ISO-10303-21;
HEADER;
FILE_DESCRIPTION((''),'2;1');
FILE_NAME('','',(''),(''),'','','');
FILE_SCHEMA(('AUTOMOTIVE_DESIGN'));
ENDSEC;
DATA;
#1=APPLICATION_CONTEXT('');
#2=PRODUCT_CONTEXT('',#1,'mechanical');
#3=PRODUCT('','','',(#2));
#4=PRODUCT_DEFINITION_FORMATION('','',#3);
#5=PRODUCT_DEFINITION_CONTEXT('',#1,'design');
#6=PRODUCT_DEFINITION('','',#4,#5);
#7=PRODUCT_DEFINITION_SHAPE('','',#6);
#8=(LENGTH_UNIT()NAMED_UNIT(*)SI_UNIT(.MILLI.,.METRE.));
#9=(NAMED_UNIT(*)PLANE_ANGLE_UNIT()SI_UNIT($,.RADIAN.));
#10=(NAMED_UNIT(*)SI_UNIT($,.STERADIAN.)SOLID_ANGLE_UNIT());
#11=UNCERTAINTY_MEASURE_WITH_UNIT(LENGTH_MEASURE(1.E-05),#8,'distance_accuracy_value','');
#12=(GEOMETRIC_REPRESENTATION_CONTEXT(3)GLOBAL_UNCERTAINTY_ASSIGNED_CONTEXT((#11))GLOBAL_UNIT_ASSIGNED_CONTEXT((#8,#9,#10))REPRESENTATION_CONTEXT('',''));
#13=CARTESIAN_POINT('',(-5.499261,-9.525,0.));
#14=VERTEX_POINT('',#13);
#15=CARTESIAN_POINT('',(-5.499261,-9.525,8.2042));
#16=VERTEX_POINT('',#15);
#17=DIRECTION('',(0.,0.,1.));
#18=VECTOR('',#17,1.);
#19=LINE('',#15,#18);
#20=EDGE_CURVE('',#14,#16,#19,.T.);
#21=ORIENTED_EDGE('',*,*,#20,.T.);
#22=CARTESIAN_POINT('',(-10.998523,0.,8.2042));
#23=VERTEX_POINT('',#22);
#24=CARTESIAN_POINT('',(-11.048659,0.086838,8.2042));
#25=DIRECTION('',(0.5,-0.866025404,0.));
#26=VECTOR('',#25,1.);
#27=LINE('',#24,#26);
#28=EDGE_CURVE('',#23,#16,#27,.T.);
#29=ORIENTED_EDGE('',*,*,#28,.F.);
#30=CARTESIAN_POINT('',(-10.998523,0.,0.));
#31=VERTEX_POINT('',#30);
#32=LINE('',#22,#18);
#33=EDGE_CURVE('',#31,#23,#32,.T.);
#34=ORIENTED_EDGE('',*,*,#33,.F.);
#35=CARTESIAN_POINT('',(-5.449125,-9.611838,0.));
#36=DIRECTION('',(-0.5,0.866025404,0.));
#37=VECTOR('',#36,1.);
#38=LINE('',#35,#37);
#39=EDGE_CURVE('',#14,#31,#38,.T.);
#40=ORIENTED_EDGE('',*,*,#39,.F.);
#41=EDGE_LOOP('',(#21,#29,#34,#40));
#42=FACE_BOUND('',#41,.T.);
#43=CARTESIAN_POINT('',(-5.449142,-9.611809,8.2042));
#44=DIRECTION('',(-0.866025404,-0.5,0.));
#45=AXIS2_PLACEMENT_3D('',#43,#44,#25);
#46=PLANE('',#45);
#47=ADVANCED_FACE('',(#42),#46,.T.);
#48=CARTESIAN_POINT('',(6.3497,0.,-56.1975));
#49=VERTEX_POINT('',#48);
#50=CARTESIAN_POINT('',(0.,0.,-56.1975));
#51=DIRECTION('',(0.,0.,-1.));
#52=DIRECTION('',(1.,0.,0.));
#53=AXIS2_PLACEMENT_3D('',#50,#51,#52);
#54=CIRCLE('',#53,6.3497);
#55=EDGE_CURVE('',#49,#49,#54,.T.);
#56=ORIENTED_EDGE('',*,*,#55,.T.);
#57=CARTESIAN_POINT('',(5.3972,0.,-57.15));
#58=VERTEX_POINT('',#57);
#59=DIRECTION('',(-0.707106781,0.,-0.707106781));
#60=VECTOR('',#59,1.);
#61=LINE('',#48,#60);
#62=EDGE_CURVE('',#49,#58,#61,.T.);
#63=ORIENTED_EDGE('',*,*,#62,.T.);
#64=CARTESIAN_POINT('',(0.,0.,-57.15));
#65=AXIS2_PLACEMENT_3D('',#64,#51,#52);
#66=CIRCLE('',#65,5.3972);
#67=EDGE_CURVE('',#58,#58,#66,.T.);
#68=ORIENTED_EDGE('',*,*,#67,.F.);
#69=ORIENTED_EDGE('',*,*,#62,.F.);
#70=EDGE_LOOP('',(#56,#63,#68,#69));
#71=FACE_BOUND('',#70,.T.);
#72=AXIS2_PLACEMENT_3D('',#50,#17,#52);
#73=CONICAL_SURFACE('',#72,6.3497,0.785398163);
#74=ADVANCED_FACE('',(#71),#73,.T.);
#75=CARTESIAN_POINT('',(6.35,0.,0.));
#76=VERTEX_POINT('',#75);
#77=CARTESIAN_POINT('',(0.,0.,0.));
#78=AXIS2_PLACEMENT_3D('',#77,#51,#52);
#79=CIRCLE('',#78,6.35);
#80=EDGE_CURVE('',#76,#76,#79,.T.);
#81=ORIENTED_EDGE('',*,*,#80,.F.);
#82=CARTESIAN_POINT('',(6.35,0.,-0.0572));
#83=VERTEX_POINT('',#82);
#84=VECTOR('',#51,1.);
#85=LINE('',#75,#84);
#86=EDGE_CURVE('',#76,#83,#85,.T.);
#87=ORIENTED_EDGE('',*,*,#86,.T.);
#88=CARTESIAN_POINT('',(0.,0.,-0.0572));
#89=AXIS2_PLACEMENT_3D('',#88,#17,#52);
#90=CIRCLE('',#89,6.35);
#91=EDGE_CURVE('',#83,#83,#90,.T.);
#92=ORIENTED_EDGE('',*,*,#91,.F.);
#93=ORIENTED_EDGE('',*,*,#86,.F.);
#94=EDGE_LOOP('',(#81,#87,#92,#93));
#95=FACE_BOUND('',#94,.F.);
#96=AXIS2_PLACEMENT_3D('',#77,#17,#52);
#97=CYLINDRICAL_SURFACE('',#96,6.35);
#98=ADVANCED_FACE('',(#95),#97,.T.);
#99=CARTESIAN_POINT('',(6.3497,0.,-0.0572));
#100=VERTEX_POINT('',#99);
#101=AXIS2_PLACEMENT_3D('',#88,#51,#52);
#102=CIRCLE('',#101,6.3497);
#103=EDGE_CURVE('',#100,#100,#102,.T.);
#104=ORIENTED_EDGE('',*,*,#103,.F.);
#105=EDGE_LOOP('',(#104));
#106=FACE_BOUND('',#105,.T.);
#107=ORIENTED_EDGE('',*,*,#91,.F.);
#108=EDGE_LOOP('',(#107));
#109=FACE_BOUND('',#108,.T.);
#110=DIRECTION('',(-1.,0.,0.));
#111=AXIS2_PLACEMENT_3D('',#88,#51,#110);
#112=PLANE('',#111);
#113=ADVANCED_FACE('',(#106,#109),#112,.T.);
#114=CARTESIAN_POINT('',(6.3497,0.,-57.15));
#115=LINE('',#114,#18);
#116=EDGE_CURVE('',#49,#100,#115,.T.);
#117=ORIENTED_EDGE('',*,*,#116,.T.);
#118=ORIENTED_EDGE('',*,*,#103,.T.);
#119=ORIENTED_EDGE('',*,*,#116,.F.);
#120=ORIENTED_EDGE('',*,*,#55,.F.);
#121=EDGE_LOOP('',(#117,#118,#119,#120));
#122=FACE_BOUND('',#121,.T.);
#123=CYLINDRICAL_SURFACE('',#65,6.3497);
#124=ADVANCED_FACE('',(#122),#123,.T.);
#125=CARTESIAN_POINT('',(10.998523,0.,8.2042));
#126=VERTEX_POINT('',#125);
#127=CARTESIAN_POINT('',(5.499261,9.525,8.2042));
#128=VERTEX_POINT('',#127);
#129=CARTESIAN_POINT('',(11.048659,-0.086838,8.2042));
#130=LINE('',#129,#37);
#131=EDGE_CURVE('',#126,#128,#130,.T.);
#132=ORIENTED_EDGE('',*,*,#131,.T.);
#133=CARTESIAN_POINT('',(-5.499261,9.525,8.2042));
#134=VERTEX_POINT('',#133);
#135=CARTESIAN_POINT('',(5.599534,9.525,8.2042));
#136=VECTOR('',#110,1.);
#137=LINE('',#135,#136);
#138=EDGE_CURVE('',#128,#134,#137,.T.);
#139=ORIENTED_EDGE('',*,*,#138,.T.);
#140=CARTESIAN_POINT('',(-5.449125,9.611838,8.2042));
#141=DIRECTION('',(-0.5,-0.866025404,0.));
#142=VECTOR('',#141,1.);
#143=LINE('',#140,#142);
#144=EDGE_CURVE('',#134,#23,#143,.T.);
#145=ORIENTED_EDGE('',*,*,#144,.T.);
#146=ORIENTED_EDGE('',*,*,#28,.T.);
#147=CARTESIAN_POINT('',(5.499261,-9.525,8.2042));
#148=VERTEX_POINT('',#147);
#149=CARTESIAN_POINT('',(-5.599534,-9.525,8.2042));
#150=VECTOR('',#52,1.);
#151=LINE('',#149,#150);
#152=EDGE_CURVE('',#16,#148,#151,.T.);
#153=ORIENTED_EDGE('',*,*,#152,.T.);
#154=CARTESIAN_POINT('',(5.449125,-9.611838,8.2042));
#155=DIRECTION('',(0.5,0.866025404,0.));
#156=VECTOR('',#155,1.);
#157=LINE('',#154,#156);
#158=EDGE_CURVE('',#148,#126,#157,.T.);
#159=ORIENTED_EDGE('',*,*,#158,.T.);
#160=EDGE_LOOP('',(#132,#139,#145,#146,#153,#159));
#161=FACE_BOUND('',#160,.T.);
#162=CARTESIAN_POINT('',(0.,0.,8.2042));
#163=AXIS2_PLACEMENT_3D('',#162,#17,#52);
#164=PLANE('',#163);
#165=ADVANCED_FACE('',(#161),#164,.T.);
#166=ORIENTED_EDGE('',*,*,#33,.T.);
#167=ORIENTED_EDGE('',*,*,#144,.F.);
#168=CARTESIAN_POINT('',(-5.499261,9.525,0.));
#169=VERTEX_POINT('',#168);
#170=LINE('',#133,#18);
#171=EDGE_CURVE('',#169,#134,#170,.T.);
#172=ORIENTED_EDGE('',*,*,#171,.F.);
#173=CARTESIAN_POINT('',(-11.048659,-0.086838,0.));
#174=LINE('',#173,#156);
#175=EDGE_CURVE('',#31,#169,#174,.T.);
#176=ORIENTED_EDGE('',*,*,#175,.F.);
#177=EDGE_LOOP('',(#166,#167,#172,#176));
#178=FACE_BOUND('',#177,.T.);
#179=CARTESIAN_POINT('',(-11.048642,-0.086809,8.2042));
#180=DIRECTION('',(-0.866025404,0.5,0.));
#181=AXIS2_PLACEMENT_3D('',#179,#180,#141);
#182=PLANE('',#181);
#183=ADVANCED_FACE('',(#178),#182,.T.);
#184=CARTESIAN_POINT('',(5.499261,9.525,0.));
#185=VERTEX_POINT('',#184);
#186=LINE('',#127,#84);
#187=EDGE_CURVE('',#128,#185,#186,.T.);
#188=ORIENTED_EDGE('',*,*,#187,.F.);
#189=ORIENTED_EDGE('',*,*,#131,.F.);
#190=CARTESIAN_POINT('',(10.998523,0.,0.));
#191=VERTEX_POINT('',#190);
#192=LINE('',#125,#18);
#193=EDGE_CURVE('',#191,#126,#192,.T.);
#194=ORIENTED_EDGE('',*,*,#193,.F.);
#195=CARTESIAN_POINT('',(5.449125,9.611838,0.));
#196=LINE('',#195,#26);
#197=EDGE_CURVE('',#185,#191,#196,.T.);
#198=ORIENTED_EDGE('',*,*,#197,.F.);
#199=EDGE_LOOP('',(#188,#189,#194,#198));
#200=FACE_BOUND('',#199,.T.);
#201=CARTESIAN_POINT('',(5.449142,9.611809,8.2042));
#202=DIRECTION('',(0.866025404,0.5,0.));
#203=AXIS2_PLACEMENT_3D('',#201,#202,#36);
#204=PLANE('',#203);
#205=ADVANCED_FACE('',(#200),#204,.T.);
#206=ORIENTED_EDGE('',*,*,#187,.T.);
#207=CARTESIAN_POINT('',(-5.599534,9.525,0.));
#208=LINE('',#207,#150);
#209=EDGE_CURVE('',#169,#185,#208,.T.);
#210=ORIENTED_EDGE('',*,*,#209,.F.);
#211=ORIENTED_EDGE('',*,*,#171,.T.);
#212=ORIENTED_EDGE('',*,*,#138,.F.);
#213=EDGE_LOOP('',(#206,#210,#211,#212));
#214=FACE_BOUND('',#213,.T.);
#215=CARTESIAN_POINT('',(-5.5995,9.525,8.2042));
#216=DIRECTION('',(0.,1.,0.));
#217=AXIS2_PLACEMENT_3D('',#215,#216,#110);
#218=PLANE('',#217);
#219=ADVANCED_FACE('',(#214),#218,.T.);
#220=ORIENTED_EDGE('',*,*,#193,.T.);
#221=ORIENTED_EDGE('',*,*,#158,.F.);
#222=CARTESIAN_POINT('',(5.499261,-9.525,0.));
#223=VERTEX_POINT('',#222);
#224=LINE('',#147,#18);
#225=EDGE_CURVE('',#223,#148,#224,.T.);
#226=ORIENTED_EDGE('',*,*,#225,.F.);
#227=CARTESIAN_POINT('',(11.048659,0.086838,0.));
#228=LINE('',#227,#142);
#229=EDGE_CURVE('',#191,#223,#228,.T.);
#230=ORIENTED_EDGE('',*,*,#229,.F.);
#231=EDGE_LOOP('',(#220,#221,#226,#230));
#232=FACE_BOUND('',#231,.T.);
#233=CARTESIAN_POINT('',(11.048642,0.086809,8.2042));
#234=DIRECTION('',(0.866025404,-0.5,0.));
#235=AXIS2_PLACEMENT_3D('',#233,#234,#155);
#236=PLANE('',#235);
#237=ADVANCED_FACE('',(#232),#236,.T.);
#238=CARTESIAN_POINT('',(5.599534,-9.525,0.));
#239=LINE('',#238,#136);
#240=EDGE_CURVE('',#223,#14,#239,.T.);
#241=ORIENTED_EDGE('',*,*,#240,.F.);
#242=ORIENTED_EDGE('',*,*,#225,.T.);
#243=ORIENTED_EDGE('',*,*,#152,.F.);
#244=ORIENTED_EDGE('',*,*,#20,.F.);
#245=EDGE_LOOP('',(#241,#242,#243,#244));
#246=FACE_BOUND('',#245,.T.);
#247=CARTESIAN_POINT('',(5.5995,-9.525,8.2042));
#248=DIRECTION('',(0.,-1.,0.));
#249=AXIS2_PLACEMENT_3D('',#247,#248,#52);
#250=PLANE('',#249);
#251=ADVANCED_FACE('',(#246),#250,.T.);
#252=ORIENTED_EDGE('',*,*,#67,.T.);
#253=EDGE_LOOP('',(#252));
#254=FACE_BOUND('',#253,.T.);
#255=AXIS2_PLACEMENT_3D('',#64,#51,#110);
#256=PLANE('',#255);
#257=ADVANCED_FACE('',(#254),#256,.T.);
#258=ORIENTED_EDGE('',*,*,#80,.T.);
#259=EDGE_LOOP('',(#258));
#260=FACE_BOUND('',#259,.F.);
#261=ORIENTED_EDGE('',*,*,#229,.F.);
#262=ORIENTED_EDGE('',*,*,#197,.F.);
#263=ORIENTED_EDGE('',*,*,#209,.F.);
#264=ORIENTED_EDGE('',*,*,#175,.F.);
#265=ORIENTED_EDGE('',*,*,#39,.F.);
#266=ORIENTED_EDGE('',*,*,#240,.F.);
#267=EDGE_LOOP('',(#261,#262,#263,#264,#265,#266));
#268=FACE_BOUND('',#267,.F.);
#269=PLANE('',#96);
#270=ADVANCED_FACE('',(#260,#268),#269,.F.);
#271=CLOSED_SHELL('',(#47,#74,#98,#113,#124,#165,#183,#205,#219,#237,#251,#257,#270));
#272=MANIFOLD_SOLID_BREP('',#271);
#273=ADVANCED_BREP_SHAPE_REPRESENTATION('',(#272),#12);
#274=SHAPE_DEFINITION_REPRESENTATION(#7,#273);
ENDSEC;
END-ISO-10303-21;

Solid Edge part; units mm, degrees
sketch "Sketch1" plane through (0, 0, 0) normal (0, 0, 1) x (1, 0, 0)
  circle A0 centre (0, 0) radius 11.049
  dimension "D1" = 22.098
extrude "Protrusion1" add sketch "Sketch1" along normal blind 8.2042
sketch "Sketch2" plane through (0, 0, 0) normal (0, 0, -1) x (1, 0, 0)
  circle A0 centre (0, 0) radius 6.35
extrude "Protrusion2" add sketch "Sketch2" along normal blind 57.15
sketch "Sketch3" plane through (0, 0, -57.15) normal (0, 0, -1) x (1, 0, 0)
  circle A0 centre (0, 0) radius 6.3497
extrude "Cutout1" cut sketch "Sketch3" against normal blind 57.0928 flip side to cut
chamfer "Chamfer_1" distance 0.9525 angle 45 1 edges at (-6.3497, 0, -57.15)
sketch "Sketch4" plane through (0, 0, 8.2042) normal (0, 0, 1) x (1, 0, 0)
  line L0 (-5.5995, 9.525) -> (5.5995, 9.525)
  dimension "D1" = 19.05
extrude "Cutout2" cut sketch "Sketch4" against normal up to next material side at (0, 9.575, 8.2042)
pattern_circular "Pattern1" count 6 over 360 about axis through (0, 0, 8.2042) along (0, 0, 1) of "Cutout2"
properties part number "162051"
